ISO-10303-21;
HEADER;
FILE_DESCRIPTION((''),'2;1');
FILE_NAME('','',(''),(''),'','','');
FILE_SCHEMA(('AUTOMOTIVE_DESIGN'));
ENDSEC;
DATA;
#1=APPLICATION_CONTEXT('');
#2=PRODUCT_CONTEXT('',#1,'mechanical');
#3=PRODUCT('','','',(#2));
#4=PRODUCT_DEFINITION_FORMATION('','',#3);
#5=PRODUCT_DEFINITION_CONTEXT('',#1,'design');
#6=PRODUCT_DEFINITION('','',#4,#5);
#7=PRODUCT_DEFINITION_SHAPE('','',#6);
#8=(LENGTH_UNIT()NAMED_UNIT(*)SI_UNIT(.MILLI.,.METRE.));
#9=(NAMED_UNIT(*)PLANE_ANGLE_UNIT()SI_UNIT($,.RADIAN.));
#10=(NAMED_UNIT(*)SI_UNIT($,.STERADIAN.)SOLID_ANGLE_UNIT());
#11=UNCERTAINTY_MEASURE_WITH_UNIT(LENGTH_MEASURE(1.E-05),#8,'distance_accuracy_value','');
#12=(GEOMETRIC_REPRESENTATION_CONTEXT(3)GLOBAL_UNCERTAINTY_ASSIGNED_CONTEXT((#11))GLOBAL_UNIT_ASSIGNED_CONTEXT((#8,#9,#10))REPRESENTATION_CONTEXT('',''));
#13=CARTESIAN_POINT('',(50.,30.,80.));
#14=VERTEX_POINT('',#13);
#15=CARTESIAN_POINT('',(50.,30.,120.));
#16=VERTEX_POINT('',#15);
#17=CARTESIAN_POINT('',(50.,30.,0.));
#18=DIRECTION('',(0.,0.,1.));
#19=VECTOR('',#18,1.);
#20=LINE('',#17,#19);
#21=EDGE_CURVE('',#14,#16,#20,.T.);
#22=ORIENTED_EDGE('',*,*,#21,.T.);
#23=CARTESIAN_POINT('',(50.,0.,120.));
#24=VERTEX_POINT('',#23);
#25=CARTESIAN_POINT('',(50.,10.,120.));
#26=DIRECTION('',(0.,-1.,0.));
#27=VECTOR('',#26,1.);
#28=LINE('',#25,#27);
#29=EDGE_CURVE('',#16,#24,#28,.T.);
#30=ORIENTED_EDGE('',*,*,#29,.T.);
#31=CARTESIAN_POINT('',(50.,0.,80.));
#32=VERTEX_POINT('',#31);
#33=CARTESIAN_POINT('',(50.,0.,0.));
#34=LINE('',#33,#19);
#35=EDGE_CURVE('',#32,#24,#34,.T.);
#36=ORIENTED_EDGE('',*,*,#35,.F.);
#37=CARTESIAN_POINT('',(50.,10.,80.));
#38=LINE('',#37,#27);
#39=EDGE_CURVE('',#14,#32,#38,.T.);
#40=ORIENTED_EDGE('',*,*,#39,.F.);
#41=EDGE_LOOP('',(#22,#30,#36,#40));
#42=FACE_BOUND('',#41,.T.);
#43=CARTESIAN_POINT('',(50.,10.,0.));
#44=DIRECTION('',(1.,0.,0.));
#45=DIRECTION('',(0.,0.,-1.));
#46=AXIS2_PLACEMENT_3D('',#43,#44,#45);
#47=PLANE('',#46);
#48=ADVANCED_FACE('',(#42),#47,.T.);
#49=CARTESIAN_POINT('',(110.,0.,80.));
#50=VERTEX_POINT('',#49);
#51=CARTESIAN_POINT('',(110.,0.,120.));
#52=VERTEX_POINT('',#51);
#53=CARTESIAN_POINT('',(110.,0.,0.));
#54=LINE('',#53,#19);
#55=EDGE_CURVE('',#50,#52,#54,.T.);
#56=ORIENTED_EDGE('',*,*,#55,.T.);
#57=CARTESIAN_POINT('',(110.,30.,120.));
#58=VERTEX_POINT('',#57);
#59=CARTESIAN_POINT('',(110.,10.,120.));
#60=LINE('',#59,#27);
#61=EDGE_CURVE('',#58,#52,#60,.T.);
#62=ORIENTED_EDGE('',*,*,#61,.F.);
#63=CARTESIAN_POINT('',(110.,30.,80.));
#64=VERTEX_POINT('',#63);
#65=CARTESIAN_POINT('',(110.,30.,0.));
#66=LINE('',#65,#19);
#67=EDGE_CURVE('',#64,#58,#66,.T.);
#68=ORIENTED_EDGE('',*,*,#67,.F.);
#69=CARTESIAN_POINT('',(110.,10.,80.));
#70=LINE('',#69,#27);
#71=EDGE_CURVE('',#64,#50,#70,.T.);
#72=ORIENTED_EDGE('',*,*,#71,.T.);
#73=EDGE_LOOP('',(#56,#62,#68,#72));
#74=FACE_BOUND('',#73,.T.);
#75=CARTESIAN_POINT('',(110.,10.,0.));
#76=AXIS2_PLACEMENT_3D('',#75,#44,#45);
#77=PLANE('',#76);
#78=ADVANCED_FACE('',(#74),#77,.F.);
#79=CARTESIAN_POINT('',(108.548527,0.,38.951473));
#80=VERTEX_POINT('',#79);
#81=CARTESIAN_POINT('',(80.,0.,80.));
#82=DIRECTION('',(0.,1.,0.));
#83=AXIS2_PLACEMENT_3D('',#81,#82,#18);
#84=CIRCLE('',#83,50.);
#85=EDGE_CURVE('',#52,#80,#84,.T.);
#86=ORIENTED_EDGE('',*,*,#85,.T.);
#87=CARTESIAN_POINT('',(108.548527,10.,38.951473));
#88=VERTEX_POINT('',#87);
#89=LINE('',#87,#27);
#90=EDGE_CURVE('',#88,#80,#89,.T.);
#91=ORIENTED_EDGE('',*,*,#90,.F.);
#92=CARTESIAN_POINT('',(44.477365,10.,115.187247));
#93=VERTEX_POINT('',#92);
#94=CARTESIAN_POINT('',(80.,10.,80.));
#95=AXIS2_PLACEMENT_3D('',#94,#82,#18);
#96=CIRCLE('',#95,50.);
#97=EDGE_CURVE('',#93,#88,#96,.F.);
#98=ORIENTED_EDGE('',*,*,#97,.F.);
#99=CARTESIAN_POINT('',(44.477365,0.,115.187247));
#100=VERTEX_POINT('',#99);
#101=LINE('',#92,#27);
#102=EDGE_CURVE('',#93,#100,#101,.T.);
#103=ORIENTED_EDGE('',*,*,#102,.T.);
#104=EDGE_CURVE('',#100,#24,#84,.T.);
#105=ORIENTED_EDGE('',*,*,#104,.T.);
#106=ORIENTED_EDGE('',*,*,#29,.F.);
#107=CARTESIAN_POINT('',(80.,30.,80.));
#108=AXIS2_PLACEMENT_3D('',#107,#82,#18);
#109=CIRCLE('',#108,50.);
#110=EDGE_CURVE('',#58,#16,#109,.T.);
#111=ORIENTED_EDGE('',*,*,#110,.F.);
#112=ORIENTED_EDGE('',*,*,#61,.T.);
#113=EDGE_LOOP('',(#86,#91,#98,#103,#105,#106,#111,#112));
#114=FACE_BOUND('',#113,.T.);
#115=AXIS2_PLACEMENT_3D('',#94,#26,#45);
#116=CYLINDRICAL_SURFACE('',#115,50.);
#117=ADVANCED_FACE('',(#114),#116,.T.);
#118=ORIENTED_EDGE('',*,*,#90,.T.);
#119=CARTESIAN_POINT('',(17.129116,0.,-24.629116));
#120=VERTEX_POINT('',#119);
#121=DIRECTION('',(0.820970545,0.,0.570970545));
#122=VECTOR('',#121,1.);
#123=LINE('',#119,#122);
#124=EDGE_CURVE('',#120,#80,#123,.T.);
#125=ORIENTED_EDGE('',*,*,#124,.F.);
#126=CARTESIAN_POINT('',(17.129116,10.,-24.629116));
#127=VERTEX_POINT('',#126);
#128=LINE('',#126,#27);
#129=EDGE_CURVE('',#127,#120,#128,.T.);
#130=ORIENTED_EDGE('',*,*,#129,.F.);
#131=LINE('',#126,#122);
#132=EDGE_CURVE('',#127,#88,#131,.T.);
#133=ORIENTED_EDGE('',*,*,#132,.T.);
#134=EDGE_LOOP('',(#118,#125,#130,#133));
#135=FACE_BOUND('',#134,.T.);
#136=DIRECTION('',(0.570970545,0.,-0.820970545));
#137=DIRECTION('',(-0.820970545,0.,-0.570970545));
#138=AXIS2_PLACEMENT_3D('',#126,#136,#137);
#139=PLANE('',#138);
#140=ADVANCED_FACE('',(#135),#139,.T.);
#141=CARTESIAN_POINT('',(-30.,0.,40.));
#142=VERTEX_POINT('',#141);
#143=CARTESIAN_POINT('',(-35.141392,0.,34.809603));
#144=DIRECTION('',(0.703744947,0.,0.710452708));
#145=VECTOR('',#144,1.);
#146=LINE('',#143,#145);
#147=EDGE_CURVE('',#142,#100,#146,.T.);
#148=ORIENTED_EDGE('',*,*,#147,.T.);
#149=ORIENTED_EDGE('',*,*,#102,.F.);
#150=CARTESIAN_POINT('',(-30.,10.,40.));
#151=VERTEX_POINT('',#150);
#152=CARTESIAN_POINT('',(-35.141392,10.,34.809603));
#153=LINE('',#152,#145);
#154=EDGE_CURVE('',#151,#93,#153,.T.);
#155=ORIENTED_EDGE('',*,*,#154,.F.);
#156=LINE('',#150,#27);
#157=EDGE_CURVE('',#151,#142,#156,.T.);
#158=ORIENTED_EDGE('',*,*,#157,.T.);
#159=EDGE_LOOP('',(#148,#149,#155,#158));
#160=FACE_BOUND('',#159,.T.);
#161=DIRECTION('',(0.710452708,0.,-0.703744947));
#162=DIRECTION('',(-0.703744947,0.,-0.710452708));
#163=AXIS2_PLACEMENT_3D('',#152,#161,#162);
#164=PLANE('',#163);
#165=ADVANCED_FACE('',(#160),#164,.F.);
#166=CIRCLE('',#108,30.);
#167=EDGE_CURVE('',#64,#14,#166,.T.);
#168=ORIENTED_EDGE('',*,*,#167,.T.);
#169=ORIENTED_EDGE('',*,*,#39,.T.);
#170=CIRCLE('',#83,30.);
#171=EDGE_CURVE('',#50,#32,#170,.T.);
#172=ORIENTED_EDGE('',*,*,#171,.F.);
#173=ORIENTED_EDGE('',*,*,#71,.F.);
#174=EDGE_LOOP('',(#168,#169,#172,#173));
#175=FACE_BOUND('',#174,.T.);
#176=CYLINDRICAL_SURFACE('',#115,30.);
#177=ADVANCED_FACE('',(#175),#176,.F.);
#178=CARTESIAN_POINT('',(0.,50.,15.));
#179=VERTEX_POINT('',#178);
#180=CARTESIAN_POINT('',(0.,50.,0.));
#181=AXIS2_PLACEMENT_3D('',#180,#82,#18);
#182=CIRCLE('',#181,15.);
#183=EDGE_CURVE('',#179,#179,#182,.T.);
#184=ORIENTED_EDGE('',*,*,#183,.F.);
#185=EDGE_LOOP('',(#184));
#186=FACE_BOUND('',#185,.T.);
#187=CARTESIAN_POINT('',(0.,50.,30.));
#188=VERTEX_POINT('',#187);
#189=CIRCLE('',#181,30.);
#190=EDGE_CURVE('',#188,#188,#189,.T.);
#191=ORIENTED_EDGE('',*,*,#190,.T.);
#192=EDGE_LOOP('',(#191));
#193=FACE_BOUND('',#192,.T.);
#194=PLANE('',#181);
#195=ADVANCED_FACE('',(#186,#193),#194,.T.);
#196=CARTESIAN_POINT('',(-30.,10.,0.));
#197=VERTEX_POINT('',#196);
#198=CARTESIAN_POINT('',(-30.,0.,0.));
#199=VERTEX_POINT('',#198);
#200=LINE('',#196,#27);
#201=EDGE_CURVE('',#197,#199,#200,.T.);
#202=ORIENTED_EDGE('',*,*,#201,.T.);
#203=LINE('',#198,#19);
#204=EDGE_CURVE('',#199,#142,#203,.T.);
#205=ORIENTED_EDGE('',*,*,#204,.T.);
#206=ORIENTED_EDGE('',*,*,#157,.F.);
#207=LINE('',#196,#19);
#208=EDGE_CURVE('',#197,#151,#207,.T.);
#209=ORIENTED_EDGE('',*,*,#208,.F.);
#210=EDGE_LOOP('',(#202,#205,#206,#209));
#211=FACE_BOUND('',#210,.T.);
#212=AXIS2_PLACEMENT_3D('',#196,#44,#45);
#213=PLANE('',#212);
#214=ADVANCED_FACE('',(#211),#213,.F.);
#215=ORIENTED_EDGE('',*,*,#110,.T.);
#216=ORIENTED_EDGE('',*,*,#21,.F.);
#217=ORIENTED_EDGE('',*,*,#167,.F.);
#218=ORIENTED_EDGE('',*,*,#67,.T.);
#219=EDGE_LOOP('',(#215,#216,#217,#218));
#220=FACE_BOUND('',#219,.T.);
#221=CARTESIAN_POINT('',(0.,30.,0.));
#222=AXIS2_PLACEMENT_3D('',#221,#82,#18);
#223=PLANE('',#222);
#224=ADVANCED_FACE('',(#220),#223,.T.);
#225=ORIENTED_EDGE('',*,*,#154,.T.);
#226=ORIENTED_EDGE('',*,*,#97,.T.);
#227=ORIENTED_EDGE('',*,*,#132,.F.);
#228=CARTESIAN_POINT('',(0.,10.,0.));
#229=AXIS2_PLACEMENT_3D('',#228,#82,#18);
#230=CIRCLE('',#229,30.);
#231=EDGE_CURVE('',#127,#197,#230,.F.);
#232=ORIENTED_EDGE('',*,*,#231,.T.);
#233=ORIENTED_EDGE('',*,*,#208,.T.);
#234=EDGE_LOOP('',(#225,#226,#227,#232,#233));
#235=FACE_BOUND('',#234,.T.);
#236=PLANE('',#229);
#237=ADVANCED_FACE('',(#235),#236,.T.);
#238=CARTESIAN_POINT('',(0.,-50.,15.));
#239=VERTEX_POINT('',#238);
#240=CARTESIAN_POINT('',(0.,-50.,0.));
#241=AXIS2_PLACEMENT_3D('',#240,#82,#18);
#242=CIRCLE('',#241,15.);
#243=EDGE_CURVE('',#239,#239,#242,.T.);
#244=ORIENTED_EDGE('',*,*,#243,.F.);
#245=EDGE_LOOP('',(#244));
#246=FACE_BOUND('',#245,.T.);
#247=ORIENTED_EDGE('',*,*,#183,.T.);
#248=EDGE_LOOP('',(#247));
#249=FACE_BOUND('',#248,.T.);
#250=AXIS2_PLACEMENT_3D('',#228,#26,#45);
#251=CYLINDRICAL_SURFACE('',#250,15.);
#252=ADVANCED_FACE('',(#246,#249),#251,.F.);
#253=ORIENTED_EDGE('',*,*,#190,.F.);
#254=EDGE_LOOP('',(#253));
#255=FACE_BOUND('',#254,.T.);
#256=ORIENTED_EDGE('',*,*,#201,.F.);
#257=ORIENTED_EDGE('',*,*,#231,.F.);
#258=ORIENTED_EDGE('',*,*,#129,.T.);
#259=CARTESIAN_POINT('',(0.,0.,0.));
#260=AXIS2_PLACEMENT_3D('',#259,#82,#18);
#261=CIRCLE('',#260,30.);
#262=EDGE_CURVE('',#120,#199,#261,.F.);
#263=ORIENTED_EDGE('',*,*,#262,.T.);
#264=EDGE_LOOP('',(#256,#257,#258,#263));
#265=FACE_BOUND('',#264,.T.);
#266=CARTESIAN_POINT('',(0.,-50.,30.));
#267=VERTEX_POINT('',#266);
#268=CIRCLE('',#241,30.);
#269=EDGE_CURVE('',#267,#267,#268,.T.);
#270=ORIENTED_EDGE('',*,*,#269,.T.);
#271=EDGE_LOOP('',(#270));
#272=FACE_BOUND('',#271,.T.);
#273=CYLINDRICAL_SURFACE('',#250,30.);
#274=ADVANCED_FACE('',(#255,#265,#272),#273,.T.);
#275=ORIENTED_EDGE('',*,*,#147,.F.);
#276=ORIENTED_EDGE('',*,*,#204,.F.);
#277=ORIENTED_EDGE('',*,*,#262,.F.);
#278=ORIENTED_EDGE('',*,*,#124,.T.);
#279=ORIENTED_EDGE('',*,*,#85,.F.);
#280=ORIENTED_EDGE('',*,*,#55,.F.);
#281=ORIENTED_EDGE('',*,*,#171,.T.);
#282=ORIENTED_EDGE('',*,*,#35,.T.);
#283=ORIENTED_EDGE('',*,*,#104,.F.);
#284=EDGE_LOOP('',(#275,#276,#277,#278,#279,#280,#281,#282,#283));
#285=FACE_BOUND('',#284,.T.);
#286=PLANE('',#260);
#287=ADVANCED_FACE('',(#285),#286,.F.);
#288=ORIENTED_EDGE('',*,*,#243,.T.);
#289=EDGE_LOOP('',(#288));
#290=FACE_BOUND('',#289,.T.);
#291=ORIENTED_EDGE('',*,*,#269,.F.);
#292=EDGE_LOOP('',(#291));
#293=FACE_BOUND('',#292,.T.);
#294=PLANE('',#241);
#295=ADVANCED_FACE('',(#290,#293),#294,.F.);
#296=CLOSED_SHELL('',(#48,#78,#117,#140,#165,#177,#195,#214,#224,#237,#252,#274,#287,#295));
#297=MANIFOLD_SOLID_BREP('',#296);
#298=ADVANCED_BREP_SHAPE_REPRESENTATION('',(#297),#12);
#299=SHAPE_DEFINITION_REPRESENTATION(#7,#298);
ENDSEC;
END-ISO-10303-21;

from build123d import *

# Parameters (mm, degrees)
SKETCH1_R                = 15
BOSS_EXTRUDE1_DEPTH      = 10
BOSS_EXTRUDE2_DEPTH      = 50
BOSS_EXTRUDE2_DEPTH_BACK = 50
SKETCH1_3_R              = 15
BOSS_EXTRUDE3_DEPTH      = 30


with BuildPart() as part:
    # Sketch1 → Boss-Extrude1 (new body)
    with BuildSketch(Plane(origin=(0, 0, 0), x_dir=(1, 0, 0), z_dir=(0, 1, 0))):
        with BuildLine():
            Line((108.548527268, -38.951472732), (17.129116361, 24.629116361))
            ThreePointArc((17.129116361, 24.629116361), (-13.894720385, 26.588282107), (-30, 0))
            Line((-30, 0), (-30, -40))
            Line((-30, -40), (44.477364607, -115.187247331))
            ThreePointArc((44.477364607, -115.187247331), (47.1504249, -117.694899068), (50, -120))
            Line((50, -120), (50, -80))
            ThreePointArc((50, -80), (80, -50), (110, -80))
            Line((110, -80), (110, -120))
            ThreePointArc((110, -120), (129.991983901, -79.104709192), (108.548527268, -38.951472732))
        make_face()
        Circle(SKETCH1_R, mode=Mode.SUBTRACT)
    extrude(amount=BOSS_EXTRUDE1_DEPTH)

    # Sketch1<3> → Boss-Extrude2 (add, two sides: drawn at the far end of the back side and taken through both)
    with BuildSketch(Plane(origin=(0, 0, 0), x_dir=(1, 0, 0), z_dir=(0, 1, 0)).offset(-BOSS_EXTRUDE2_DEPTH_BACK)):
        with BuildLine():
            ThreePointArc((17.129116361, 24.629116361), (-13.894720385, 26.588282107), (-30, 0))
            ThreePointArc((-30, 0), (0, -30), (30, 0))
            ThreePointArc((30, 0), (26.588282107, 13.894720385), (17.129116361, 24.629116361))
        make_face()
        Circle(SKETCH1_3_R, mode=Mode.SUBTRACT)
    extrude(amount=BOSS_EXTRUDE2_DEPTH + BOSS_EXTRUDE2_DEPTH_BACK)

    # Sketch1<4> → Boss-Extrude3 (add)
    with BuildSketch(Plane(origin=(0, 0, 0), x_dir=(1, 0, 0), z_dir=(0, 1, 0))):
        with BuildLine():
            ThreePointArc((108.548527268, -38.951472732), (41.7229458, -47.830649341), (44.477364607, -115.187247331))
            ThreePointArc((44.477364607, -115.187247331), (47.1504249, -117.694899068), (50, -120))
            Line((50, -120), (50, -80))
            ThreePointArc((50, -80), (80, -50), (110, -80))
            Line((110, -80), (110, -120))
            ThreePointArc((110, -120), (129.991983901, -79.104709192), (108.548527268, -38.951472732))
        make_face()
    extrude(amount=BOSS_EXTRUDE3_DEPTH)


solid = part.part
